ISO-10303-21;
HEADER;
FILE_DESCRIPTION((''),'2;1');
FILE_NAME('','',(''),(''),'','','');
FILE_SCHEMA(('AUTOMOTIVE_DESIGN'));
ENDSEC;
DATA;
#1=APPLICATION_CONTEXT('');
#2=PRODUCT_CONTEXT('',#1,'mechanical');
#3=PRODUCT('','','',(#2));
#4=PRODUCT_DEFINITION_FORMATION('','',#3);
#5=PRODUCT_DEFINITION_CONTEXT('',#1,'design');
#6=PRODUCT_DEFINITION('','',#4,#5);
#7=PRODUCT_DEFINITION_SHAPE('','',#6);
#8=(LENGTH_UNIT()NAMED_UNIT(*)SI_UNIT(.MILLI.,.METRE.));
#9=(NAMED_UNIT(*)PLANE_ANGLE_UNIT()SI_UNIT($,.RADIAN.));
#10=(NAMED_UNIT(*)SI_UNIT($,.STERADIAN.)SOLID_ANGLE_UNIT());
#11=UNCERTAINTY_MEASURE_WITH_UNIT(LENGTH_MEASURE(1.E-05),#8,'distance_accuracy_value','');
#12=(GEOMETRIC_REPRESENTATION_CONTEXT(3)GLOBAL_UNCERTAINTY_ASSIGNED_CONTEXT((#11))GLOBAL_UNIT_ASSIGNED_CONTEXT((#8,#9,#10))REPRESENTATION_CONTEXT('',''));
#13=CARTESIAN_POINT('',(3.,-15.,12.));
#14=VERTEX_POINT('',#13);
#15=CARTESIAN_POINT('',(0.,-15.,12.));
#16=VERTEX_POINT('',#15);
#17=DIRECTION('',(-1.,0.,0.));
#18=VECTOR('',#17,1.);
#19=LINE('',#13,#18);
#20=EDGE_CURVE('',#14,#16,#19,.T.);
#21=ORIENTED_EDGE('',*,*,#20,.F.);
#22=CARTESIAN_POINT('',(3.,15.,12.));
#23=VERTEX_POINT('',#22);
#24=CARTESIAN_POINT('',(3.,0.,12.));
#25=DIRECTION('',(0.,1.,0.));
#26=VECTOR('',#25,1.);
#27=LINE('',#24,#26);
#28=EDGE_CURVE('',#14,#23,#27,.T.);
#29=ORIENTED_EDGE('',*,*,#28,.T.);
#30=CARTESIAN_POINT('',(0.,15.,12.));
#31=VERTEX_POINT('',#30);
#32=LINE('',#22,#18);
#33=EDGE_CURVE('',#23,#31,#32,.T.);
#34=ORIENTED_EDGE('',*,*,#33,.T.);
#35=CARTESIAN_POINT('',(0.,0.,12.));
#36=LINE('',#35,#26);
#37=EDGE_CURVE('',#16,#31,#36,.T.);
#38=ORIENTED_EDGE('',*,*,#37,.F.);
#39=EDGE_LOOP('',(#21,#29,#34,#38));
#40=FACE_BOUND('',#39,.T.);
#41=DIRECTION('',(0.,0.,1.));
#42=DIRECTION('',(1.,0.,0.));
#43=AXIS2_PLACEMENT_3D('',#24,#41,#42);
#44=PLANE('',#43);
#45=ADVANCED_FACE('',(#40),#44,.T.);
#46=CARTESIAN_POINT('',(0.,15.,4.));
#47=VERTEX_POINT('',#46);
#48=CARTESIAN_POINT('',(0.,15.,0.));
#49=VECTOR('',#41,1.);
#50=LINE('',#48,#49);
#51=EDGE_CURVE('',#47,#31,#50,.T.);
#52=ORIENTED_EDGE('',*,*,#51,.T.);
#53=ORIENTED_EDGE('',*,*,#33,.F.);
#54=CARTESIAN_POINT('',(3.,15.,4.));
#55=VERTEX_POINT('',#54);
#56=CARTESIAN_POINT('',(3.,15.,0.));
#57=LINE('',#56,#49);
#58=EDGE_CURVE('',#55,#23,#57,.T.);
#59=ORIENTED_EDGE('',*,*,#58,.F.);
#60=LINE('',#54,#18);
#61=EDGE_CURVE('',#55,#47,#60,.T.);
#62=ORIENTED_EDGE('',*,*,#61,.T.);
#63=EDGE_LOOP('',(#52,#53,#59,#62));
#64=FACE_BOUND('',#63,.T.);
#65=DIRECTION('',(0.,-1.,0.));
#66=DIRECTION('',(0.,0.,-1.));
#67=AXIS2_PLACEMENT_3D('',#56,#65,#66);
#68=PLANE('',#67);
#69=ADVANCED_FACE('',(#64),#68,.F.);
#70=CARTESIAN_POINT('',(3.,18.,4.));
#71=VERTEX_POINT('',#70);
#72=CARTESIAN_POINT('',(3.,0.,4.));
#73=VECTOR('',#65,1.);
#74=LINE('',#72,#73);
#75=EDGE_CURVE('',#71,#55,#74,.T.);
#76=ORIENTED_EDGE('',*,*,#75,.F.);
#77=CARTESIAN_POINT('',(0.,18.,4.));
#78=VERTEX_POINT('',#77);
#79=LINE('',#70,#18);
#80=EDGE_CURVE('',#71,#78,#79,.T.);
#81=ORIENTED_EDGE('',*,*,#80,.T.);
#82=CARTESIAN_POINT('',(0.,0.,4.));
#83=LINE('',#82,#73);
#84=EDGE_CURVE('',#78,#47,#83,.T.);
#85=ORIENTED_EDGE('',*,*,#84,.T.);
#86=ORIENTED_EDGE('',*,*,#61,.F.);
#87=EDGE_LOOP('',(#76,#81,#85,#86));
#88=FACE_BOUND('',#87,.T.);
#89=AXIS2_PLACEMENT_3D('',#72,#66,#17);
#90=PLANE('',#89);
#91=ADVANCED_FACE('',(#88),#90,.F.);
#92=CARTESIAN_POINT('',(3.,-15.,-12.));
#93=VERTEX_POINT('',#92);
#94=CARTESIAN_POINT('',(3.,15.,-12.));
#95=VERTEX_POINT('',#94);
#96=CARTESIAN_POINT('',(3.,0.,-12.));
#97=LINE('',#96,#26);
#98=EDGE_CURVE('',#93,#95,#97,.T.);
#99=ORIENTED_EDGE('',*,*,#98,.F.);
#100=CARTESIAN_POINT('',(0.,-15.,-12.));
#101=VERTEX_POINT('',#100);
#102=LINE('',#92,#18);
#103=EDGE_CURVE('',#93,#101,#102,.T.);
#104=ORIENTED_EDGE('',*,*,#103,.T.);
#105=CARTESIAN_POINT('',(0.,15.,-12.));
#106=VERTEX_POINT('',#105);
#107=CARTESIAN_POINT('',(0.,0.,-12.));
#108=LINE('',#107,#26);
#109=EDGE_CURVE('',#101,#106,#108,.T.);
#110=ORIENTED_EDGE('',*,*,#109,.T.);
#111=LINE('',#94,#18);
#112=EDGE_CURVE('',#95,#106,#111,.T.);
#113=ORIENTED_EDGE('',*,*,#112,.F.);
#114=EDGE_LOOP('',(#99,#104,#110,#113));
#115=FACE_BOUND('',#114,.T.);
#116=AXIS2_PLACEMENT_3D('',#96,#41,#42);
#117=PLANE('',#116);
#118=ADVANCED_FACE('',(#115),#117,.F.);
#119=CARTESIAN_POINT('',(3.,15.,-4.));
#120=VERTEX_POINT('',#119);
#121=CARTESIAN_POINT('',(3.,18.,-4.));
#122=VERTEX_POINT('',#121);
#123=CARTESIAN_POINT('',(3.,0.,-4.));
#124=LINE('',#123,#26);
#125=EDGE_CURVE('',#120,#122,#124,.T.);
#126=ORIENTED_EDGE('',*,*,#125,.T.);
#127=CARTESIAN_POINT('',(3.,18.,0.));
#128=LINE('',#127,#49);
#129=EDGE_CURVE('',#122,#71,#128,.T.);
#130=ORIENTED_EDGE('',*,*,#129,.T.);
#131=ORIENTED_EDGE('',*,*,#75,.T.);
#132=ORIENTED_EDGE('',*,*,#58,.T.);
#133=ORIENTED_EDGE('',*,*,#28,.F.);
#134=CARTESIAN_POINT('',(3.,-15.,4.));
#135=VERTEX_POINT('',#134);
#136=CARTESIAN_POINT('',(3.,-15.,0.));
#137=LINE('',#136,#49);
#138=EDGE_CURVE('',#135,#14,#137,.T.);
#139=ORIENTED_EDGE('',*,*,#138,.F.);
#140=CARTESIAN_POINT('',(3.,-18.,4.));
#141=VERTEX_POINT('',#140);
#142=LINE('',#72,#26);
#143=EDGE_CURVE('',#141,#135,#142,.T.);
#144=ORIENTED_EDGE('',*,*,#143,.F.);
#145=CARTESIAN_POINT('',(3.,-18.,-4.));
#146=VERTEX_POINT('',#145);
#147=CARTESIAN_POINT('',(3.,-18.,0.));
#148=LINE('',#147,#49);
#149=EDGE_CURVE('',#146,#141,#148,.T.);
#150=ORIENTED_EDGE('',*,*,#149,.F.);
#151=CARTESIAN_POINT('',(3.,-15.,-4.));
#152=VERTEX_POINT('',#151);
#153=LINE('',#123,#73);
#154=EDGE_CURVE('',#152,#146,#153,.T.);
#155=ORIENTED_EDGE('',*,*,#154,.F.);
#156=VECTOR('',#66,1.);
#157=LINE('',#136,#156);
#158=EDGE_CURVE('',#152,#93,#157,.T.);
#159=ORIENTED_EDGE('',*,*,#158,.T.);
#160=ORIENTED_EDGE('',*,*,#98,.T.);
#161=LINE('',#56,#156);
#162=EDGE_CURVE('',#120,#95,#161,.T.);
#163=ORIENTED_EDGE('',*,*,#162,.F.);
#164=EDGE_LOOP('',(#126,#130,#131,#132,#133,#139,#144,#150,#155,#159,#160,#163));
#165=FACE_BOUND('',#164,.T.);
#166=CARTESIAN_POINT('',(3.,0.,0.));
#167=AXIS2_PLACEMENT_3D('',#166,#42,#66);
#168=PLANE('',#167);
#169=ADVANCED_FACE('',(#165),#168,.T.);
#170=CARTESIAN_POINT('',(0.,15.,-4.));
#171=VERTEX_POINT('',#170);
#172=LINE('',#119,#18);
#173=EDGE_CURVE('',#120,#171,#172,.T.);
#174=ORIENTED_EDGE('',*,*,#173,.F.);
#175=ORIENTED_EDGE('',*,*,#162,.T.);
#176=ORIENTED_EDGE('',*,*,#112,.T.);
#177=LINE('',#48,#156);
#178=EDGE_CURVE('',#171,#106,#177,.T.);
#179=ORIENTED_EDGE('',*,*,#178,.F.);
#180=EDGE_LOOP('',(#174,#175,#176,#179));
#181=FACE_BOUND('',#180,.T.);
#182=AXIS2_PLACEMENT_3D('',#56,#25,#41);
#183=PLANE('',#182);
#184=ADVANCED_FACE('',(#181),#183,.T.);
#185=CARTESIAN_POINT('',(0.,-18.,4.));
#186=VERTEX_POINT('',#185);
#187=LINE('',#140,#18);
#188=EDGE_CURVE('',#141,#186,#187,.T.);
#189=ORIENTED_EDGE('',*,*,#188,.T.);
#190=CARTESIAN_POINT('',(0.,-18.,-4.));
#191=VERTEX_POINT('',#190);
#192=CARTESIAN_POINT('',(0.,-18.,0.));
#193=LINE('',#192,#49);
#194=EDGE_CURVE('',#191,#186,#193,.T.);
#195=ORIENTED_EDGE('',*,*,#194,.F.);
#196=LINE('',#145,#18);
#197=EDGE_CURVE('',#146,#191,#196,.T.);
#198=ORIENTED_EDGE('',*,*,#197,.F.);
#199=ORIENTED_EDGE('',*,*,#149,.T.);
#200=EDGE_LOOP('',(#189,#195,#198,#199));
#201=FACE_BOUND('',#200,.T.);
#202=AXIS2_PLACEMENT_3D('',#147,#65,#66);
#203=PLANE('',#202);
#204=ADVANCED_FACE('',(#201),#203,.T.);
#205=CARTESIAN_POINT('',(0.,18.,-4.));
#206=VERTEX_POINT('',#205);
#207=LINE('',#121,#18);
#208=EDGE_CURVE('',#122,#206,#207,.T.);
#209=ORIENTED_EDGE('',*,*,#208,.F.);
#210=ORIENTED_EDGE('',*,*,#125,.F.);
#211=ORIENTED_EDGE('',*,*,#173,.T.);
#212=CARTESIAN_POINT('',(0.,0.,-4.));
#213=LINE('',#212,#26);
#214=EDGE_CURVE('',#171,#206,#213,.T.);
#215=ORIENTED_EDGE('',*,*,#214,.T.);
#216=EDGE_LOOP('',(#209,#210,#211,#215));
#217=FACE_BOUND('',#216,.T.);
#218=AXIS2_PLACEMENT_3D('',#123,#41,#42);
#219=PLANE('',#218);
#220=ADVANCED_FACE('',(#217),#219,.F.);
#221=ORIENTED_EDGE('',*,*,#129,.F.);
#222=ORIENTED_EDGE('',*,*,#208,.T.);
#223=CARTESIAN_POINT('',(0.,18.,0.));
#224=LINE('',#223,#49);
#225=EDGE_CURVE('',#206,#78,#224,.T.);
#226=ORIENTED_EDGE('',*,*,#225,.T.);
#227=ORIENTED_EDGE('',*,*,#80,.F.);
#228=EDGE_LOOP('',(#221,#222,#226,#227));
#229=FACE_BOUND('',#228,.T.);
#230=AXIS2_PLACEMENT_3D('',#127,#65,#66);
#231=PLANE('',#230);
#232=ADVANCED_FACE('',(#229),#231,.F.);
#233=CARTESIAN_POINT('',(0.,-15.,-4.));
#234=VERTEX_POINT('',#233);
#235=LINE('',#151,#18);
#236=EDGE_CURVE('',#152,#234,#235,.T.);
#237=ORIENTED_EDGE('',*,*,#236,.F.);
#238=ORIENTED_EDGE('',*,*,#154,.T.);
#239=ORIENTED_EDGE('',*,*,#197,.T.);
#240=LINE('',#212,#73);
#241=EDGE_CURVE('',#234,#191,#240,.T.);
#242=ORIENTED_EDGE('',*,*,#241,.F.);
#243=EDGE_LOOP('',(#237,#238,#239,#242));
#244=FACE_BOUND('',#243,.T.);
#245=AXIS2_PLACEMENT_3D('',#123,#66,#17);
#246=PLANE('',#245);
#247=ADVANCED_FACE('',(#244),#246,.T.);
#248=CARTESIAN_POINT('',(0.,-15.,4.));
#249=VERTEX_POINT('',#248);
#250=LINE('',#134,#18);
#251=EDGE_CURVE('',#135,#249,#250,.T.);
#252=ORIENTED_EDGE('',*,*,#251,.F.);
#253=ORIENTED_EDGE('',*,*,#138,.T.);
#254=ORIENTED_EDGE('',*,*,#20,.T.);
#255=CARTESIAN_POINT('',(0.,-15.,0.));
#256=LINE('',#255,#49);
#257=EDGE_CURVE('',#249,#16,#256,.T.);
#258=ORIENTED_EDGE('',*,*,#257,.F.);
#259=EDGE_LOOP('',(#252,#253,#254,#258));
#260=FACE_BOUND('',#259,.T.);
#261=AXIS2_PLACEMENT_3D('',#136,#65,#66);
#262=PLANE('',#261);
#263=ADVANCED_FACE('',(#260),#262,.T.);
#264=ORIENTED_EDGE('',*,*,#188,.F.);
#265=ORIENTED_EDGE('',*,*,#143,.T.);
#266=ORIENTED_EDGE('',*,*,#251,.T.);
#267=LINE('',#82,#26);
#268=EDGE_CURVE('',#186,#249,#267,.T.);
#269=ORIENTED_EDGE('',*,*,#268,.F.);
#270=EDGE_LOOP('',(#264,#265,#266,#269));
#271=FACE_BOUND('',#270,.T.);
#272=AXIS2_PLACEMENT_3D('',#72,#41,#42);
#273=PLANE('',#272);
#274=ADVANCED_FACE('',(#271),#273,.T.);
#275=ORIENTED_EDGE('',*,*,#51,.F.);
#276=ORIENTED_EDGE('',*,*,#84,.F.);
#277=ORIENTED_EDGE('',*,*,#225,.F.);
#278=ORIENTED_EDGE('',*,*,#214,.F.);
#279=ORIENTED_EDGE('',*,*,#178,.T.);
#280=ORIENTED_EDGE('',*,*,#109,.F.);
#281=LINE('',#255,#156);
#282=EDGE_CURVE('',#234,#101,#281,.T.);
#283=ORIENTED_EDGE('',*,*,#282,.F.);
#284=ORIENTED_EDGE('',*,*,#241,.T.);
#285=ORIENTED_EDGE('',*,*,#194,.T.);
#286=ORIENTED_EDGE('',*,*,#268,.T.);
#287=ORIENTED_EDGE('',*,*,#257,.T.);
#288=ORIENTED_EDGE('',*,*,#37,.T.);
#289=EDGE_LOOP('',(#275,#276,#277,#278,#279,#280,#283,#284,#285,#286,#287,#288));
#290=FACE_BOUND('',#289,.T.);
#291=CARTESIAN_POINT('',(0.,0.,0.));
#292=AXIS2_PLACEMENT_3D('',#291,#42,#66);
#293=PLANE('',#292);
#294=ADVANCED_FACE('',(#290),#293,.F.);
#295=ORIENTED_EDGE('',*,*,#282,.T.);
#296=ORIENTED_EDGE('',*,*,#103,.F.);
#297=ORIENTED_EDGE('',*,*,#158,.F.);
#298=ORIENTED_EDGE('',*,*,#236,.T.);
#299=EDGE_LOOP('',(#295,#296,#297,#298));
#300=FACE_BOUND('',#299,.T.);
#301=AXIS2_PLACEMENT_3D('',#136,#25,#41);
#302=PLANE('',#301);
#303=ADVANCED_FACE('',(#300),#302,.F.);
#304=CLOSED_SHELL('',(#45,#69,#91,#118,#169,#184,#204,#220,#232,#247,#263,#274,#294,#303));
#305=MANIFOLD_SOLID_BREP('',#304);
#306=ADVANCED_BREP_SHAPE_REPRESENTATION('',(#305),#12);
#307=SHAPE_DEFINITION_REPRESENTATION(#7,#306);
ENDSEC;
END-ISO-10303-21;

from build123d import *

# Parameters (mm, degrees)
BOSS_EXTRUDE1_DEPTH = 3


with BuildPart() as part:
    # Sketch1 → Boss-Extrude1 (new body)
    with BuildSketch(Plane(origin=(0, 0, 0), x_dir=(0, 0, -1), z_dir=(1, 0, 0))):
        Polygon((-4, 18), (-4, 15), (-12, 15), (-12, -15), (-4, -15), (-4, -18), (4, -18), (4, -15), (12, -15), (12, 15), (4, 15), (4, 18), align=None)
    extrude(amount=BOSS_EXTRUDE1_DEPTH)


solid = part.part
